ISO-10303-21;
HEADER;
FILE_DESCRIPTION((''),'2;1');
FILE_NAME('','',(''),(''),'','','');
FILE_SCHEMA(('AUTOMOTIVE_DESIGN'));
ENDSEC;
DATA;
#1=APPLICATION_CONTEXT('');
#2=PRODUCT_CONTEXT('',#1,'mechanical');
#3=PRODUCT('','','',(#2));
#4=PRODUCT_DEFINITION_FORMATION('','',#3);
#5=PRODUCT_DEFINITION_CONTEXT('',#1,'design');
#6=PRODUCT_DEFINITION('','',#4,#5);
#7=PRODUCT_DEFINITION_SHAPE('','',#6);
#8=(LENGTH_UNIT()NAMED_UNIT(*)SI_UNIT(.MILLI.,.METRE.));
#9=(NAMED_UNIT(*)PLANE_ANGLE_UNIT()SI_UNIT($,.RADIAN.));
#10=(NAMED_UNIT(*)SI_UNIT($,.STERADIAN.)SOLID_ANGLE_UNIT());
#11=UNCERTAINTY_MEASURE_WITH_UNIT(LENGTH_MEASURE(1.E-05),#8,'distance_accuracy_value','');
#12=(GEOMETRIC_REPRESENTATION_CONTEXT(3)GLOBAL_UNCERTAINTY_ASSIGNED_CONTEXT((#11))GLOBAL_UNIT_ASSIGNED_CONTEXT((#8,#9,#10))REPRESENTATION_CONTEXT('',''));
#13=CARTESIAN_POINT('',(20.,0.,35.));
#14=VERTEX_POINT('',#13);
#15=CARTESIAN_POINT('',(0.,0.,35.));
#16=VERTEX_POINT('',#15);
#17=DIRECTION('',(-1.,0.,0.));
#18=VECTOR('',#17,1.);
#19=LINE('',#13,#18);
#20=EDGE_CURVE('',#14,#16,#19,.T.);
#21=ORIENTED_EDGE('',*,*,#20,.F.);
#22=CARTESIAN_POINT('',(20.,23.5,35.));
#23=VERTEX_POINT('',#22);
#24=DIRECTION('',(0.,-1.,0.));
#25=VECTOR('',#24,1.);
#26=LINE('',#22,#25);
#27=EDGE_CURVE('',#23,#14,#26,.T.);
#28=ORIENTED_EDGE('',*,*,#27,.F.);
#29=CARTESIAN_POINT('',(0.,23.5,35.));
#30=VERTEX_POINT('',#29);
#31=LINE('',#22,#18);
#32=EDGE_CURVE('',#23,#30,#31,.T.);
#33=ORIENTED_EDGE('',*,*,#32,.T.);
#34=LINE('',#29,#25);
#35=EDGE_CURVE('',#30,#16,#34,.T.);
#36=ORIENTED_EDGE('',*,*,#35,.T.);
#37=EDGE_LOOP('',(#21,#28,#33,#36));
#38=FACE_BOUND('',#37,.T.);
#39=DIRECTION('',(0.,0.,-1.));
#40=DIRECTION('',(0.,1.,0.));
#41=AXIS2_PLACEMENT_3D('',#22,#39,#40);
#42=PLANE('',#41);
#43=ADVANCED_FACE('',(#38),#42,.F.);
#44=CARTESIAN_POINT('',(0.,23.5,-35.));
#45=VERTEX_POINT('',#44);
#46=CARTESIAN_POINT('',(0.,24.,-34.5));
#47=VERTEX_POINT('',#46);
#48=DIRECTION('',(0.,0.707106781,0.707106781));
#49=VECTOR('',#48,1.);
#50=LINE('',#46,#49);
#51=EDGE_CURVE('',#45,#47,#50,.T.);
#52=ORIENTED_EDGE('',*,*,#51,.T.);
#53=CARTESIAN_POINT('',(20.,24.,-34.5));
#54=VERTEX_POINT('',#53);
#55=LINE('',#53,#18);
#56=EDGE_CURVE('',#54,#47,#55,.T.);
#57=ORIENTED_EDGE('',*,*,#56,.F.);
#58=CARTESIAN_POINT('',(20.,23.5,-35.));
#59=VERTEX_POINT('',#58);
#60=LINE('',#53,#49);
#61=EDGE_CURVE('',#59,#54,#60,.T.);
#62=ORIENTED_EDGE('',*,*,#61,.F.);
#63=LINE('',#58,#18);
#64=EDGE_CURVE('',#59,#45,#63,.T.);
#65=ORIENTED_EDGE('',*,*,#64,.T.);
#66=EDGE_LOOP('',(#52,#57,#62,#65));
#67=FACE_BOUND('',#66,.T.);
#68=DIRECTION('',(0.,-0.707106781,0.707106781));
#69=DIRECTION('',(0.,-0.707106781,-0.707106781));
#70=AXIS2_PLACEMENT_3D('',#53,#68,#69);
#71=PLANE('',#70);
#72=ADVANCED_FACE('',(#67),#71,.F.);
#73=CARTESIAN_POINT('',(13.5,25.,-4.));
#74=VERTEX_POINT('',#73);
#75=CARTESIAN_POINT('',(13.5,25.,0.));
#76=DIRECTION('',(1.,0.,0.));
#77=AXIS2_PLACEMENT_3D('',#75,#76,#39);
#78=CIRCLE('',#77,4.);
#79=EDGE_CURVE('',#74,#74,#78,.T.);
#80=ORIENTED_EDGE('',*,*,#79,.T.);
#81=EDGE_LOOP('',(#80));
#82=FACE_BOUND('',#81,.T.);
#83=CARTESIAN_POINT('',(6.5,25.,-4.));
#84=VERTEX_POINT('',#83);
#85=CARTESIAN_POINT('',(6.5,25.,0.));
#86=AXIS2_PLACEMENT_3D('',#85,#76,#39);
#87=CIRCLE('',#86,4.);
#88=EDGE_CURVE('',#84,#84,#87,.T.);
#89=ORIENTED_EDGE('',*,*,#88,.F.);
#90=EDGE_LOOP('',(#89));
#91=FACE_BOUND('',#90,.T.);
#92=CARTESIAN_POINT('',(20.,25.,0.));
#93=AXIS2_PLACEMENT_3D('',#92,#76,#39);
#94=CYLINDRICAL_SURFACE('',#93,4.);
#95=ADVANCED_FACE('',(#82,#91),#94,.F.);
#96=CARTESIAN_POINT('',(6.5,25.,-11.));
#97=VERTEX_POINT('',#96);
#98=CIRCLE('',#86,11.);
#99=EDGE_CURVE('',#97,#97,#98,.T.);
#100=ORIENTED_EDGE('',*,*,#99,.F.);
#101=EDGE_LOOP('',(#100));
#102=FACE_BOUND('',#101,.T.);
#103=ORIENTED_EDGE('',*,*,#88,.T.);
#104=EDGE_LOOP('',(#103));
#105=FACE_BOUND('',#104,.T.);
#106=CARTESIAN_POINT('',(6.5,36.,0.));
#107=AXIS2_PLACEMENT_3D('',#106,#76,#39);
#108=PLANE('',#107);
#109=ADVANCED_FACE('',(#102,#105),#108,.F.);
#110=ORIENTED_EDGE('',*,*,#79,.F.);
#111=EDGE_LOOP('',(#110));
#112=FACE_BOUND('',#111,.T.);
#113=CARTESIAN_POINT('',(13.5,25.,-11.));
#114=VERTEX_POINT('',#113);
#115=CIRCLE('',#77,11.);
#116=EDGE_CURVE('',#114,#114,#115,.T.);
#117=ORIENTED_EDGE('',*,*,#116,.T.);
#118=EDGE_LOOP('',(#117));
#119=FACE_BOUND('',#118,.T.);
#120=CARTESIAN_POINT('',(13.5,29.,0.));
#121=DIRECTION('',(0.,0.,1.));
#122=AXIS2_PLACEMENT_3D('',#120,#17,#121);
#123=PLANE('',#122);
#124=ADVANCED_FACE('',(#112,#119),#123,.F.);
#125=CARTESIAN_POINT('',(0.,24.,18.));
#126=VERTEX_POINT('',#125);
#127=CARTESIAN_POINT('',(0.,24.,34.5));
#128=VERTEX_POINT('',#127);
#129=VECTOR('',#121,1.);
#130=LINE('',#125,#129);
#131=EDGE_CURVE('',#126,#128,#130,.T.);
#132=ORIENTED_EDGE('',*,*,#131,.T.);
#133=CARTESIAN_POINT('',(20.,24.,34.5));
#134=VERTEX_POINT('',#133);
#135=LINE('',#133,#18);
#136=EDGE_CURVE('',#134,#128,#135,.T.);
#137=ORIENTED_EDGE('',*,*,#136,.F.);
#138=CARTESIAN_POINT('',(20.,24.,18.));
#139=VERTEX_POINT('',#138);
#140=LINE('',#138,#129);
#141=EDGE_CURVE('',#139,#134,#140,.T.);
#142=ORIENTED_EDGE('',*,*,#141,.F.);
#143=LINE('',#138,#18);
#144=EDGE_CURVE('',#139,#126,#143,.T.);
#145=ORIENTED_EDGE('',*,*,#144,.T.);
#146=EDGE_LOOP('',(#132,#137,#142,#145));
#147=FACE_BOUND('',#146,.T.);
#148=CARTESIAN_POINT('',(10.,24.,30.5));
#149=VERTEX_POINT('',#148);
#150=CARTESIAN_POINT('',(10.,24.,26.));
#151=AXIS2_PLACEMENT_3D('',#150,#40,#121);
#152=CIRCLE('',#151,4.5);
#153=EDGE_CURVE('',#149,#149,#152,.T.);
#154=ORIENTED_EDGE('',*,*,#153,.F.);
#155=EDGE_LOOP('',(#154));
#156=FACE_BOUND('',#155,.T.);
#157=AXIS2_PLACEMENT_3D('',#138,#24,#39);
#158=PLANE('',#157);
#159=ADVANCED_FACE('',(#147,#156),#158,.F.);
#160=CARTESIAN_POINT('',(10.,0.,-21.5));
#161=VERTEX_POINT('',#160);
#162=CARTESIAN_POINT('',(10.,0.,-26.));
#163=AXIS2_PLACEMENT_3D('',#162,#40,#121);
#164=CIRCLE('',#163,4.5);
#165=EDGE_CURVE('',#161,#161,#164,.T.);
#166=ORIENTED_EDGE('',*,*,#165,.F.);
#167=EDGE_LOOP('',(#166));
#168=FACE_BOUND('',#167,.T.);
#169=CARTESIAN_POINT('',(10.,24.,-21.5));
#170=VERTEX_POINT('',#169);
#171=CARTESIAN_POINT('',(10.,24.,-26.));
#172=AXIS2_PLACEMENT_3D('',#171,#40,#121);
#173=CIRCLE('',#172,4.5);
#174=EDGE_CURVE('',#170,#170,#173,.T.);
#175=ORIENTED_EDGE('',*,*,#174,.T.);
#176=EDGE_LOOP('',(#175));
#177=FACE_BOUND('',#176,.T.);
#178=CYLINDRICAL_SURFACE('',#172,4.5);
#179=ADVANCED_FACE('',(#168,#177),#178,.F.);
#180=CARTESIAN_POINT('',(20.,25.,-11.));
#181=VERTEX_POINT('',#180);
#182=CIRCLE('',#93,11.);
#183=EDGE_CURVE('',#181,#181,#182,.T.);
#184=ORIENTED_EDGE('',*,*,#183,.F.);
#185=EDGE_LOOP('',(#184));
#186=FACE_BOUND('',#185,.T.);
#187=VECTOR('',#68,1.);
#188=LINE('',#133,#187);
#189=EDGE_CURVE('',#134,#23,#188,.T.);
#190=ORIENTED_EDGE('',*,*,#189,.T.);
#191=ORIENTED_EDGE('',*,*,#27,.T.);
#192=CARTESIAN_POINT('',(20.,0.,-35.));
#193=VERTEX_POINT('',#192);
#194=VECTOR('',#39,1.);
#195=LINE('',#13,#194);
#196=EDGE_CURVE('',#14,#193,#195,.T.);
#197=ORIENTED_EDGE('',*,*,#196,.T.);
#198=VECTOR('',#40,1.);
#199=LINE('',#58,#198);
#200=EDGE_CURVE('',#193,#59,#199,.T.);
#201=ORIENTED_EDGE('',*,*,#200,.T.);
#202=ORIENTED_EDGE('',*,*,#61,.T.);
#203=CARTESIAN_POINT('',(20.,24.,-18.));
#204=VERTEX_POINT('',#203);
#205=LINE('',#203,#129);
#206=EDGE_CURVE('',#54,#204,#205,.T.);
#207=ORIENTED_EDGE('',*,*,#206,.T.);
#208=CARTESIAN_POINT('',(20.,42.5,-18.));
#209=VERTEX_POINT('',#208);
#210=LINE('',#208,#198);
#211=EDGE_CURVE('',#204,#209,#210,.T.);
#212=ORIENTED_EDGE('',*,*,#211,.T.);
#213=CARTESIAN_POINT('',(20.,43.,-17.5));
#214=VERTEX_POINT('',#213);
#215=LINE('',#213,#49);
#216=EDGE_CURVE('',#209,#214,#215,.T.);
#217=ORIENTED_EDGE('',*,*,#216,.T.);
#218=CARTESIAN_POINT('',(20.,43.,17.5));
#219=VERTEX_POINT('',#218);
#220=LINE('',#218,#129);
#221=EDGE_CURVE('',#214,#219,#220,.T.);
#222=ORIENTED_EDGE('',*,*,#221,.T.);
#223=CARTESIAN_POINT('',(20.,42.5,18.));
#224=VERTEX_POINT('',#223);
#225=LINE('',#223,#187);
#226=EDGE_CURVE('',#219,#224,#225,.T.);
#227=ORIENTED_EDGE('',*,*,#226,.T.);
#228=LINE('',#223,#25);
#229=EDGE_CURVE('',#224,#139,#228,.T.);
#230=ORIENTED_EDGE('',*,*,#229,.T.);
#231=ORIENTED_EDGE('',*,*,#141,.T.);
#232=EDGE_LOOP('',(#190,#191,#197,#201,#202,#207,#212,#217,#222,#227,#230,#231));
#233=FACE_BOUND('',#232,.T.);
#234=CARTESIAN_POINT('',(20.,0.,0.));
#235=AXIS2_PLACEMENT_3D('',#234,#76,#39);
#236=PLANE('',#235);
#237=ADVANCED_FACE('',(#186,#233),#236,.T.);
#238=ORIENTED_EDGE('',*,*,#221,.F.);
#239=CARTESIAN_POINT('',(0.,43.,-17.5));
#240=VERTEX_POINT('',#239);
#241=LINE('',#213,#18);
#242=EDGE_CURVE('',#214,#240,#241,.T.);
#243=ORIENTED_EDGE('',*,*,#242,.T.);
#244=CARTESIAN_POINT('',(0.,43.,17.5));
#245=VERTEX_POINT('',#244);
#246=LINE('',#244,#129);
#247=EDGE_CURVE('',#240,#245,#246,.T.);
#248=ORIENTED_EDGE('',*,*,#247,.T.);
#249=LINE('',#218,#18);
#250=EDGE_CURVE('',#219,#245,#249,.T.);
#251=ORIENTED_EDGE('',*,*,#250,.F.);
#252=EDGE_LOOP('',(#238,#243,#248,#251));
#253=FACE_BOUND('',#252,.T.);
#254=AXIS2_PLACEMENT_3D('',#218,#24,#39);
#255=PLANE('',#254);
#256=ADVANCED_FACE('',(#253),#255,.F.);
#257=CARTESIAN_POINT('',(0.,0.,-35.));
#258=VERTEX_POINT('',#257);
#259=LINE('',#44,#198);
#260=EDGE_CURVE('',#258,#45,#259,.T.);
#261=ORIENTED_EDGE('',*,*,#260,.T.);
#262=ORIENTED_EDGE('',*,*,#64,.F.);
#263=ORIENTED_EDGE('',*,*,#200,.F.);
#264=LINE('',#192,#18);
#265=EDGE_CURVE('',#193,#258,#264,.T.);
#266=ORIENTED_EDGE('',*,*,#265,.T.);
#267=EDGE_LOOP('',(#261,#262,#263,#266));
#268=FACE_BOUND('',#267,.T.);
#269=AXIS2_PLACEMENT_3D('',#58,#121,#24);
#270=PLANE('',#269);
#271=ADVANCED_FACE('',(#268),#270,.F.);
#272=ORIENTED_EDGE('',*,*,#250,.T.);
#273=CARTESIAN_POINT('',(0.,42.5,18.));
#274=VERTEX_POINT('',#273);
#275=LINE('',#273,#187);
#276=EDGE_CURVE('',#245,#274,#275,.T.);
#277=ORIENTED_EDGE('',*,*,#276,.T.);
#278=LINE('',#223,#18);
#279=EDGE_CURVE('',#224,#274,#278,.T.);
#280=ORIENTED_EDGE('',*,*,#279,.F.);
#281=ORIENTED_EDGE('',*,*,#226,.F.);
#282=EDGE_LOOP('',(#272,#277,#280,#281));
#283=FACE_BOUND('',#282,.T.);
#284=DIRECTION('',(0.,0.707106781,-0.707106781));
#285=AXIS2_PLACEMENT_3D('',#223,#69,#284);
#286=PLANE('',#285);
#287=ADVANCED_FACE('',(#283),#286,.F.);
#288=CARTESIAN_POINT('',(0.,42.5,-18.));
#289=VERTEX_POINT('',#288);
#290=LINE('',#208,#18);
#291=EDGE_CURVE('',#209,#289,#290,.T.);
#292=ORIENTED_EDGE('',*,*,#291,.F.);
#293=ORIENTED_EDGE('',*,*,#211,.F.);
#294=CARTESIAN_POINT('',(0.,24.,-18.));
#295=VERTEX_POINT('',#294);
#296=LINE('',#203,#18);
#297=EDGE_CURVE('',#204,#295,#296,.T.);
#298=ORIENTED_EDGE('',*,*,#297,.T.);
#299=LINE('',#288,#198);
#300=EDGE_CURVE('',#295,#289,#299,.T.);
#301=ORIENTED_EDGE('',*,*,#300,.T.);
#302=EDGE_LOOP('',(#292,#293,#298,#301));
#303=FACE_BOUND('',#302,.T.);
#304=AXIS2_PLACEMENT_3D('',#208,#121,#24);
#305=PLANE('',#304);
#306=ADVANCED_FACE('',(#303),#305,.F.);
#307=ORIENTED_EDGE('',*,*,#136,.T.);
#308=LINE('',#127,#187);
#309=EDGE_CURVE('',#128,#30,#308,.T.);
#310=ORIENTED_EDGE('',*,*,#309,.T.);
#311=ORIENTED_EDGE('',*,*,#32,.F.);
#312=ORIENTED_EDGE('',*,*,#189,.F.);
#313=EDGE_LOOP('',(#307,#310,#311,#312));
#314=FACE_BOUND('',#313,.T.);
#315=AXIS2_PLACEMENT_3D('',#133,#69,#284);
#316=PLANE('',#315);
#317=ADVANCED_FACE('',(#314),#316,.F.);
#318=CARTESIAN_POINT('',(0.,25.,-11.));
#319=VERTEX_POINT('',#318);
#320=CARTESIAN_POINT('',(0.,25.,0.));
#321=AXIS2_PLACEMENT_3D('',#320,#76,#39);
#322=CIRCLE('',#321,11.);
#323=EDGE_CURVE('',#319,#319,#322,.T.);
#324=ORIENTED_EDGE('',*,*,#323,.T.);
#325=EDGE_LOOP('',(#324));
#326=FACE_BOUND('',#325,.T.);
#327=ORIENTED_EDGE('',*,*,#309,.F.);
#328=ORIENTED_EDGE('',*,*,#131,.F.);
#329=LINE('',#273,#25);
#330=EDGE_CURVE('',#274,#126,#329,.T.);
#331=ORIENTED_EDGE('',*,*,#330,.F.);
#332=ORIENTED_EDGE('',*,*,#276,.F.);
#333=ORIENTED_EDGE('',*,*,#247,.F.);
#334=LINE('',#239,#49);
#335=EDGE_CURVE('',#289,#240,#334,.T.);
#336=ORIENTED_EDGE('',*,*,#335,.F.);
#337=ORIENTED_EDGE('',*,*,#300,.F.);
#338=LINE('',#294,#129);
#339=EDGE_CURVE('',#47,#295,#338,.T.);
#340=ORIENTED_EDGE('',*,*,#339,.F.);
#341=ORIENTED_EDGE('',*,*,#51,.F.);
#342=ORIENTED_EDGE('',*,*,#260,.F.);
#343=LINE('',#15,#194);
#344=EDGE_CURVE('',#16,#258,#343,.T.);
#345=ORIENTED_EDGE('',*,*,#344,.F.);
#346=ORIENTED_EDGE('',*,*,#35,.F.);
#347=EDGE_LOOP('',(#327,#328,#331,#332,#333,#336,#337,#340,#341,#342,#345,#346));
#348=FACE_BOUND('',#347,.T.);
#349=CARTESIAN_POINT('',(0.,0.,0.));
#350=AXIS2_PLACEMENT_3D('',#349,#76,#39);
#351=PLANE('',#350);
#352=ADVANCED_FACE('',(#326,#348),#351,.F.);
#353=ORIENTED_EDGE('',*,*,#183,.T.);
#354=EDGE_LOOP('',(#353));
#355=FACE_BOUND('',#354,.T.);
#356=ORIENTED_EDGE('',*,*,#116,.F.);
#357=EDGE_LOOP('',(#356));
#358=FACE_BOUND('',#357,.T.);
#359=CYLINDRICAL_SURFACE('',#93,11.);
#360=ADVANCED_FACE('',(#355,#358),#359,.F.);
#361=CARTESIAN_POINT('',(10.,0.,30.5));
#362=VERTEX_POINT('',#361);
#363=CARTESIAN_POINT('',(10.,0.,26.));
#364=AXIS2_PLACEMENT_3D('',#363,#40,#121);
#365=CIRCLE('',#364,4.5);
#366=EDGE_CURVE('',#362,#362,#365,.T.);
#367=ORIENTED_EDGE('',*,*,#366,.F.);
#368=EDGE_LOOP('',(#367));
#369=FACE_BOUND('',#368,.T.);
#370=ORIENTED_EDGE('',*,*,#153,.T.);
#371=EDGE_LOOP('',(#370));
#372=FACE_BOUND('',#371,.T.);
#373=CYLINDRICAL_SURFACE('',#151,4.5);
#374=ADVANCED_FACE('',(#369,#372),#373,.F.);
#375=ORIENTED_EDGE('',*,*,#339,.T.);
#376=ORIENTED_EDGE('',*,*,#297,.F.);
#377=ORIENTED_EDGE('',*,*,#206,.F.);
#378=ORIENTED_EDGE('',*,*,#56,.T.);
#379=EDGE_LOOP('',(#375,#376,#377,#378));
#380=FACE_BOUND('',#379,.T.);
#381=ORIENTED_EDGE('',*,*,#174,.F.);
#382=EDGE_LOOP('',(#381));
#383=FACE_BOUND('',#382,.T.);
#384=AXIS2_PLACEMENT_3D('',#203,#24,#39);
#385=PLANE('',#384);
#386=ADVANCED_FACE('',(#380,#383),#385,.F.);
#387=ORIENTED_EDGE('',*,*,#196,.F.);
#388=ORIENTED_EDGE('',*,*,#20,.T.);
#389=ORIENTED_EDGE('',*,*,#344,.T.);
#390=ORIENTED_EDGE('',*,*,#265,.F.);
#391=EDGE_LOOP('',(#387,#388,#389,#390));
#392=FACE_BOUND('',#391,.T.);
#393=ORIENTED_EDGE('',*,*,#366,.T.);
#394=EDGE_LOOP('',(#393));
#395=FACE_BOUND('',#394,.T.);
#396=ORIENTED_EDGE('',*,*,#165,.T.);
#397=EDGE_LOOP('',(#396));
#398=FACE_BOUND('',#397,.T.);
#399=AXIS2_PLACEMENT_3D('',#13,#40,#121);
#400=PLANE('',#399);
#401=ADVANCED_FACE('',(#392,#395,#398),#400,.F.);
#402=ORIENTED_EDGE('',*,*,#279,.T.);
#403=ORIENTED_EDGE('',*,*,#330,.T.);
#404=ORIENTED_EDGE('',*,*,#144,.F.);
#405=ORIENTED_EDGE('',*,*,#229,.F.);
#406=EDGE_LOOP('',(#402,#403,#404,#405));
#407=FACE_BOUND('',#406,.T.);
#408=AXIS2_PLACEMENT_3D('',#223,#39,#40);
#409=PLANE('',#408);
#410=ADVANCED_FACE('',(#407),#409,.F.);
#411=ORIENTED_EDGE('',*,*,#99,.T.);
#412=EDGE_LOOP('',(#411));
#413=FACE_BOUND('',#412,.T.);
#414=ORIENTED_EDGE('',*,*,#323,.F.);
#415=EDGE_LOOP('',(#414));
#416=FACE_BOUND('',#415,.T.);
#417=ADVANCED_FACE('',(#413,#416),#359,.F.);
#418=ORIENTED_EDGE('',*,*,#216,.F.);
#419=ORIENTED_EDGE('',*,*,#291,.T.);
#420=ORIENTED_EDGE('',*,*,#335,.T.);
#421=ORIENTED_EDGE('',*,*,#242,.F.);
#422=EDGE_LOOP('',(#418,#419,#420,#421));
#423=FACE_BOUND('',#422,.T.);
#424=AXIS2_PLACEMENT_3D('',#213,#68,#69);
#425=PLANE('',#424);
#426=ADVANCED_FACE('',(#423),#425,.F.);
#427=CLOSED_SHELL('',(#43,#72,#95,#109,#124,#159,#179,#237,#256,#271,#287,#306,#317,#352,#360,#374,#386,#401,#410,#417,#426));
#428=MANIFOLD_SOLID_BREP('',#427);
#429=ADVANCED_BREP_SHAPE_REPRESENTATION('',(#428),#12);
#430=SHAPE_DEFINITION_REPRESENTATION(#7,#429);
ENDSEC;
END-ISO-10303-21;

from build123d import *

# Parameters (mm, degrees)
BOSS_EXTRUDE1_DEPTH = 20
DIAMETERHOLE1_D     = 9


with BuildPart() as part:
    # Sketch1 → Boss-Extrude1 (new body)
    with BuildSketch(Plane(origin=(0, 0, 0), x_dir=(0, 0, -1), z_dir=(1, 0, 0))):
        Polygon((-18, 42.5), (-18, 24), (-34.5, 24), (-35, 23.5), (-35, 0), (35, 0), (35, 23.5), (34.5, 24), (18, 24), (18, 42.5), (17.5, 43), (-17.5, 43), align=None)
    extrude(amount=BOSS_EXTRUDE1_DEPTH)

    # Sketch4 → Cut-Revolve1 (revolve, cut)
    with BuildSketch(Plane.XY):
        Polygon((0, 36), (6.5, 36), (6.5, 29), (13.5, 29), (13.5, 36), (20, 36), (20, 25), (0, 25), align=None)
    revolve(axis=Axis((20, 25, 0), (-1, 0, 0)), mode=Mode.SUBTRACT)

    # DiameterHole1 (through all)
    with Locations(Plane(origin=(0, 24, 0), x_dir=(1, 0, 0), z_dir=(0, 1, 0))):
        with Locations((10, -26), (10, 26)):
            Hole(DIAMETERHOLE1_D / 2)


solid = part.part
